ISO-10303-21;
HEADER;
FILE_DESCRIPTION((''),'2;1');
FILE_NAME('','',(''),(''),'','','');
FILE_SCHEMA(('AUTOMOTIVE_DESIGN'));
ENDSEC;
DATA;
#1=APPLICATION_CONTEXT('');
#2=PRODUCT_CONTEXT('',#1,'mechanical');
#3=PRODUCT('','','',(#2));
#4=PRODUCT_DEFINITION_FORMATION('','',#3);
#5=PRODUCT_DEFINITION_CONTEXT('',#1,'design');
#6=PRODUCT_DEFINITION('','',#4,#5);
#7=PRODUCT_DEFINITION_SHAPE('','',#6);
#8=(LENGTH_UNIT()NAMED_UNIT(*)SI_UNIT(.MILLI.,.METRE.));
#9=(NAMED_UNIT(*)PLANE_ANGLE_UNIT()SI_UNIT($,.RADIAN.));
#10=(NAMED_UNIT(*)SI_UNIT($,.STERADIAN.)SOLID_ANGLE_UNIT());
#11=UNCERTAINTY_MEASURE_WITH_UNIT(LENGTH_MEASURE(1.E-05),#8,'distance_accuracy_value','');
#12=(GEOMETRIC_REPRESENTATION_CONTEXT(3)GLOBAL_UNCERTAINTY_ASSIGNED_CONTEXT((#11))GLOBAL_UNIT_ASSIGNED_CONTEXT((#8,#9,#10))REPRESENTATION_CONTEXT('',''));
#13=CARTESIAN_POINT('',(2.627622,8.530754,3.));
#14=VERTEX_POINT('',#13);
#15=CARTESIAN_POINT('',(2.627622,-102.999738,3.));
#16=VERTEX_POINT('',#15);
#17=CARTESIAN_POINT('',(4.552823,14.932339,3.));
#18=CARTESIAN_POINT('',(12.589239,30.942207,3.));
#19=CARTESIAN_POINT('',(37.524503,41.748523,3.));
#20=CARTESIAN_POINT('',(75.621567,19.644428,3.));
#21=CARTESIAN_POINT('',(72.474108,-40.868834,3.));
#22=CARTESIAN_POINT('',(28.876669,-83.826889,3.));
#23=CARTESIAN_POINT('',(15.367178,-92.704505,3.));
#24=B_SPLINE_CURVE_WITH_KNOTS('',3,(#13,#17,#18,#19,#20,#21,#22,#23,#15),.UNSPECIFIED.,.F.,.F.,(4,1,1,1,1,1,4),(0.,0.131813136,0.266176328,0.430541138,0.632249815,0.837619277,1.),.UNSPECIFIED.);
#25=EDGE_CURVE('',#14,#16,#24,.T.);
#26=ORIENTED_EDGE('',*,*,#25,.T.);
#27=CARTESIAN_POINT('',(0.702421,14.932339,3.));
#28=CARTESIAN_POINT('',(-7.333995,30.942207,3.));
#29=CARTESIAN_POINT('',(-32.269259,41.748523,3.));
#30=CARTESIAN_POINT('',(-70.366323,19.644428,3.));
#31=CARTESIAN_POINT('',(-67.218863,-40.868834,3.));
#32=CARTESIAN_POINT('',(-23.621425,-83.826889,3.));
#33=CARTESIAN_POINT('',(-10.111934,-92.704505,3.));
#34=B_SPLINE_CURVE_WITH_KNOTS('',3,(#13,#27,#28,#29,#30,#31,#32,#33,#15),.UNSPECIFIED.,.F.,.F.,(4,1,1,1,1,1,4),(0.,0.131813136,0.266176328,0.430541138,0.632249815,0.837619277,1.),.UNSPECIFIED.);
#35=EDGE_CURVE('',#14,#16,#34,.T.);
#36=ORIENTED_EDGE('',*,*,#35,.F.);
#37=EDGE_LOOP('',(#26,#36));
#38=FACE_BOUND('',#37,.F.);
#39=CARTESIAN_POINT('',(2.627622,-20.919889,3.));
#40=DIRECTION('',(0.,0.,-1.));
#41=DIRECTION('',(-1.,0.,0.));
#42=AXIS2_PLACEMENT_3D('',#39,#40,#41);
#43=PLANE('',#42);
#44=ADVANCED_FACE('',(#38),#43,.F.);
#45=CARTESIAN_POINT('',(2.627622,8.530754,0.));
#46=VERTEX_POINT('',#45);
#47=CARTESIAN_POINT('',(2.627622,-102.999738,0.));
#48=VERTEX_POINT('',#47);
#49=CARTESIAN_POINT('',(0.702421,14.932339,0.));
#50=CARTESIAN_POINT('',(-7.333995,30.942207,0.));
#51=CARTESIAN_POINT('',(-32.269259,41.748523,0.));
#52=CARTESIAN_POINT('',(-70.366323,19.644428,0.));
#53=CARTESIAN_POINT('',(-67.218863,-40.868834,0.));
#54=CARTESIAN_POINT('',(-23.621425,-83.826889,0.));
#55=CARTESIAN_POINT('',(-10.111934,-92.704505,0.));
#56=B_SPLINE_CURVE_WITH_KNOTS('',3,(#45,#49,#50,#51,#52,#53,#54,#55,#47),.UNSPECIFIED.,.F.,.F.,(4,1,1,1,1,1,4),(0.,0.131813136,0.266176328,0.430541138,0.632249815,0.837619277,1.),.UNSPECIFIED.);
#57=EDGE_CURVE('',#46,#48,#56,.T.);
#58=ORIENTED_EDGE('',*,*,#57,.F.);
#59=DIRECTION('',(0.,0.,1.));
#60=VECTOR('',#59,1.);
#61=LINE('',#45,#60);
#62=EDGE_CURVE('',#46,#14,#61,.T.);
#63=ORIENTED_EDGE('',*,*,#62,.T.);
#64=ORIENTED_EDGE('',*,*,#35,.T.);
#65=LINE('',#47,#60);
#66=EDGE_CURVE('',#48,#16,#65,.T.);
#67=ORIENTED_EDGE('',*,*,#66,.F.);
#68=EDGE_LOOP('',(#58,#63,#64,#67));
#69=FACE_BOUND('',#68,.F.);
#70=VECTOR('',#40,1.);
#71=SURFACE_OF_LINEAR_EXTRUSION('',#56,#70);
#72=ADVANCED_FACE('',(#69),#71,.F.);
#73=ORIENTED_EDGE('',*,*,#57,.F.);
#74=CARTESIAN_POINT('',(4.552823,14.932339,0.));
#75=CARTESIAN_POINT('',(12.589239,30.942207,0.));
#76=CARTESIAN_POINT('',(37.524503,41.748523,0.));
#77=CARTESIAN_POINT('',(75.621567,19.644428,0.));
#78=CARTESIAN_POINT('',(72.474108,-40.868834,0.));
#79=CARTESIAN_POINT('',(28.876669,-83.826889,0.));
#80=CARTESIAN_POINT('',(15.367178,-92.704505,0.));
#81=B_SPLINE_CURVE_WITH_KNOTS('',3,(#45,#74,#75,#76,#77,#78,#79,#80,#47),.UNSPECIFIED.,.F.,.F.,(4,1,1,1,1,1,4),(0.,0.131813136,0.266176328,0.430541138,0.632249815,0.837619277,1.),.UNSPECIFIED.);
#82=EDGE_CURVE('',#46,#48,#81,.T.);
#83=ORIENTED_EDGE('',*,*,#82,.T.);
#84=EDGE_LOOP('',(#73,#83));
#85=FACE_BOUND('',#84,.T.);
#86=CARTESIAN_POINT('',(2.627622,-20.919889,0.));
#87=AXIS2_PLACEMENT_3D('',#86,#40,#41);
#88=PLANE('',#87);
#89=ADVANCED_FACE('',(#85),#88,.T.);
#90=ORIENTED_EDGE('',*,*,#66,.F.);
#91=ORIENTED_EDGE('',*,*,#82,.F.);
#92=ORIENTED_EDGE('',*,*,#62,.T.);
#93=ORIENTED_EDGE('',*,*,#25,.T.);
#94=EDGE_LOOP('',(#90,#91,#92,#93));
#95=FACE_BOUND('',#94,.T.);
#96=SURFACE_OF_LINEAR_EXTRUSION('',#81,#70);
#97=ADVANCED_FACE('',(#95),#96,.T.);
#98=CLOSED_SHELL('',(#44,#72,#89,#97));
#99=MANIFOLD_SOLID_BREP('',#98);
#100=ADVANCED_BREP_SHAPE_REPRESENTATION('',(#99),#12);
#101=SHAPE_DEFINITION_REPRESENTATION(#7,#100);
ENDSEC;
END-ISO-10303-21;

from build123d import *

# Parameters (mm, degrees)
F1_DEPTH = 3


with BuildPart() as f1:
    # F0 (on Top) → F1 (new body)
    with BuildSketch(Plane.XY):
        with BuildLine():
            add(Edge.make_bspline(
                [(2.6276221033, 8.5307536647), (4.5528227925, 14.9323386964), (12.5892390644, 30.9422068211), (37.5245030602, 41.748522773), (75.6215667976, 19.6444276913), (72.4741076627, -40.868834064), (28.8766694944, -83.8268887696), (15.3671781021, -92.7045045983), (2.6276221033, -102.9997383739)],
                knots=[0, 0, 0, 0, 0.131813136, 0.2661763282, 0.4305411385, 0.6322498153, 0.8376192768, 1, 1, 1, 1], degree=3))
            add(Edge.make_bspline(
                [(2.6276221033, 8.5307536647), (0.7024214142, 14.9323386964), (-7.3339948578, 30.9422068211), (-32.2692588536, 41.748522773), (-70.366322591, 19.6444276913), (-67.2188634561, -40.868834064), (-23.6214252877, -83.8268887696), (-10.1119338955, -92.7045045983), (2.6276221033, -102.9997383739)],
                knots=[0, 0, 0, 0, 0.131813136, 0.2661763282, 0.4305411385, 0.6322498153, 0.8376192768, 1, 1, 1, 1], degree=3))
        make_face()
    extrude(amount=F1_DEPTH)


solid = f1.part
